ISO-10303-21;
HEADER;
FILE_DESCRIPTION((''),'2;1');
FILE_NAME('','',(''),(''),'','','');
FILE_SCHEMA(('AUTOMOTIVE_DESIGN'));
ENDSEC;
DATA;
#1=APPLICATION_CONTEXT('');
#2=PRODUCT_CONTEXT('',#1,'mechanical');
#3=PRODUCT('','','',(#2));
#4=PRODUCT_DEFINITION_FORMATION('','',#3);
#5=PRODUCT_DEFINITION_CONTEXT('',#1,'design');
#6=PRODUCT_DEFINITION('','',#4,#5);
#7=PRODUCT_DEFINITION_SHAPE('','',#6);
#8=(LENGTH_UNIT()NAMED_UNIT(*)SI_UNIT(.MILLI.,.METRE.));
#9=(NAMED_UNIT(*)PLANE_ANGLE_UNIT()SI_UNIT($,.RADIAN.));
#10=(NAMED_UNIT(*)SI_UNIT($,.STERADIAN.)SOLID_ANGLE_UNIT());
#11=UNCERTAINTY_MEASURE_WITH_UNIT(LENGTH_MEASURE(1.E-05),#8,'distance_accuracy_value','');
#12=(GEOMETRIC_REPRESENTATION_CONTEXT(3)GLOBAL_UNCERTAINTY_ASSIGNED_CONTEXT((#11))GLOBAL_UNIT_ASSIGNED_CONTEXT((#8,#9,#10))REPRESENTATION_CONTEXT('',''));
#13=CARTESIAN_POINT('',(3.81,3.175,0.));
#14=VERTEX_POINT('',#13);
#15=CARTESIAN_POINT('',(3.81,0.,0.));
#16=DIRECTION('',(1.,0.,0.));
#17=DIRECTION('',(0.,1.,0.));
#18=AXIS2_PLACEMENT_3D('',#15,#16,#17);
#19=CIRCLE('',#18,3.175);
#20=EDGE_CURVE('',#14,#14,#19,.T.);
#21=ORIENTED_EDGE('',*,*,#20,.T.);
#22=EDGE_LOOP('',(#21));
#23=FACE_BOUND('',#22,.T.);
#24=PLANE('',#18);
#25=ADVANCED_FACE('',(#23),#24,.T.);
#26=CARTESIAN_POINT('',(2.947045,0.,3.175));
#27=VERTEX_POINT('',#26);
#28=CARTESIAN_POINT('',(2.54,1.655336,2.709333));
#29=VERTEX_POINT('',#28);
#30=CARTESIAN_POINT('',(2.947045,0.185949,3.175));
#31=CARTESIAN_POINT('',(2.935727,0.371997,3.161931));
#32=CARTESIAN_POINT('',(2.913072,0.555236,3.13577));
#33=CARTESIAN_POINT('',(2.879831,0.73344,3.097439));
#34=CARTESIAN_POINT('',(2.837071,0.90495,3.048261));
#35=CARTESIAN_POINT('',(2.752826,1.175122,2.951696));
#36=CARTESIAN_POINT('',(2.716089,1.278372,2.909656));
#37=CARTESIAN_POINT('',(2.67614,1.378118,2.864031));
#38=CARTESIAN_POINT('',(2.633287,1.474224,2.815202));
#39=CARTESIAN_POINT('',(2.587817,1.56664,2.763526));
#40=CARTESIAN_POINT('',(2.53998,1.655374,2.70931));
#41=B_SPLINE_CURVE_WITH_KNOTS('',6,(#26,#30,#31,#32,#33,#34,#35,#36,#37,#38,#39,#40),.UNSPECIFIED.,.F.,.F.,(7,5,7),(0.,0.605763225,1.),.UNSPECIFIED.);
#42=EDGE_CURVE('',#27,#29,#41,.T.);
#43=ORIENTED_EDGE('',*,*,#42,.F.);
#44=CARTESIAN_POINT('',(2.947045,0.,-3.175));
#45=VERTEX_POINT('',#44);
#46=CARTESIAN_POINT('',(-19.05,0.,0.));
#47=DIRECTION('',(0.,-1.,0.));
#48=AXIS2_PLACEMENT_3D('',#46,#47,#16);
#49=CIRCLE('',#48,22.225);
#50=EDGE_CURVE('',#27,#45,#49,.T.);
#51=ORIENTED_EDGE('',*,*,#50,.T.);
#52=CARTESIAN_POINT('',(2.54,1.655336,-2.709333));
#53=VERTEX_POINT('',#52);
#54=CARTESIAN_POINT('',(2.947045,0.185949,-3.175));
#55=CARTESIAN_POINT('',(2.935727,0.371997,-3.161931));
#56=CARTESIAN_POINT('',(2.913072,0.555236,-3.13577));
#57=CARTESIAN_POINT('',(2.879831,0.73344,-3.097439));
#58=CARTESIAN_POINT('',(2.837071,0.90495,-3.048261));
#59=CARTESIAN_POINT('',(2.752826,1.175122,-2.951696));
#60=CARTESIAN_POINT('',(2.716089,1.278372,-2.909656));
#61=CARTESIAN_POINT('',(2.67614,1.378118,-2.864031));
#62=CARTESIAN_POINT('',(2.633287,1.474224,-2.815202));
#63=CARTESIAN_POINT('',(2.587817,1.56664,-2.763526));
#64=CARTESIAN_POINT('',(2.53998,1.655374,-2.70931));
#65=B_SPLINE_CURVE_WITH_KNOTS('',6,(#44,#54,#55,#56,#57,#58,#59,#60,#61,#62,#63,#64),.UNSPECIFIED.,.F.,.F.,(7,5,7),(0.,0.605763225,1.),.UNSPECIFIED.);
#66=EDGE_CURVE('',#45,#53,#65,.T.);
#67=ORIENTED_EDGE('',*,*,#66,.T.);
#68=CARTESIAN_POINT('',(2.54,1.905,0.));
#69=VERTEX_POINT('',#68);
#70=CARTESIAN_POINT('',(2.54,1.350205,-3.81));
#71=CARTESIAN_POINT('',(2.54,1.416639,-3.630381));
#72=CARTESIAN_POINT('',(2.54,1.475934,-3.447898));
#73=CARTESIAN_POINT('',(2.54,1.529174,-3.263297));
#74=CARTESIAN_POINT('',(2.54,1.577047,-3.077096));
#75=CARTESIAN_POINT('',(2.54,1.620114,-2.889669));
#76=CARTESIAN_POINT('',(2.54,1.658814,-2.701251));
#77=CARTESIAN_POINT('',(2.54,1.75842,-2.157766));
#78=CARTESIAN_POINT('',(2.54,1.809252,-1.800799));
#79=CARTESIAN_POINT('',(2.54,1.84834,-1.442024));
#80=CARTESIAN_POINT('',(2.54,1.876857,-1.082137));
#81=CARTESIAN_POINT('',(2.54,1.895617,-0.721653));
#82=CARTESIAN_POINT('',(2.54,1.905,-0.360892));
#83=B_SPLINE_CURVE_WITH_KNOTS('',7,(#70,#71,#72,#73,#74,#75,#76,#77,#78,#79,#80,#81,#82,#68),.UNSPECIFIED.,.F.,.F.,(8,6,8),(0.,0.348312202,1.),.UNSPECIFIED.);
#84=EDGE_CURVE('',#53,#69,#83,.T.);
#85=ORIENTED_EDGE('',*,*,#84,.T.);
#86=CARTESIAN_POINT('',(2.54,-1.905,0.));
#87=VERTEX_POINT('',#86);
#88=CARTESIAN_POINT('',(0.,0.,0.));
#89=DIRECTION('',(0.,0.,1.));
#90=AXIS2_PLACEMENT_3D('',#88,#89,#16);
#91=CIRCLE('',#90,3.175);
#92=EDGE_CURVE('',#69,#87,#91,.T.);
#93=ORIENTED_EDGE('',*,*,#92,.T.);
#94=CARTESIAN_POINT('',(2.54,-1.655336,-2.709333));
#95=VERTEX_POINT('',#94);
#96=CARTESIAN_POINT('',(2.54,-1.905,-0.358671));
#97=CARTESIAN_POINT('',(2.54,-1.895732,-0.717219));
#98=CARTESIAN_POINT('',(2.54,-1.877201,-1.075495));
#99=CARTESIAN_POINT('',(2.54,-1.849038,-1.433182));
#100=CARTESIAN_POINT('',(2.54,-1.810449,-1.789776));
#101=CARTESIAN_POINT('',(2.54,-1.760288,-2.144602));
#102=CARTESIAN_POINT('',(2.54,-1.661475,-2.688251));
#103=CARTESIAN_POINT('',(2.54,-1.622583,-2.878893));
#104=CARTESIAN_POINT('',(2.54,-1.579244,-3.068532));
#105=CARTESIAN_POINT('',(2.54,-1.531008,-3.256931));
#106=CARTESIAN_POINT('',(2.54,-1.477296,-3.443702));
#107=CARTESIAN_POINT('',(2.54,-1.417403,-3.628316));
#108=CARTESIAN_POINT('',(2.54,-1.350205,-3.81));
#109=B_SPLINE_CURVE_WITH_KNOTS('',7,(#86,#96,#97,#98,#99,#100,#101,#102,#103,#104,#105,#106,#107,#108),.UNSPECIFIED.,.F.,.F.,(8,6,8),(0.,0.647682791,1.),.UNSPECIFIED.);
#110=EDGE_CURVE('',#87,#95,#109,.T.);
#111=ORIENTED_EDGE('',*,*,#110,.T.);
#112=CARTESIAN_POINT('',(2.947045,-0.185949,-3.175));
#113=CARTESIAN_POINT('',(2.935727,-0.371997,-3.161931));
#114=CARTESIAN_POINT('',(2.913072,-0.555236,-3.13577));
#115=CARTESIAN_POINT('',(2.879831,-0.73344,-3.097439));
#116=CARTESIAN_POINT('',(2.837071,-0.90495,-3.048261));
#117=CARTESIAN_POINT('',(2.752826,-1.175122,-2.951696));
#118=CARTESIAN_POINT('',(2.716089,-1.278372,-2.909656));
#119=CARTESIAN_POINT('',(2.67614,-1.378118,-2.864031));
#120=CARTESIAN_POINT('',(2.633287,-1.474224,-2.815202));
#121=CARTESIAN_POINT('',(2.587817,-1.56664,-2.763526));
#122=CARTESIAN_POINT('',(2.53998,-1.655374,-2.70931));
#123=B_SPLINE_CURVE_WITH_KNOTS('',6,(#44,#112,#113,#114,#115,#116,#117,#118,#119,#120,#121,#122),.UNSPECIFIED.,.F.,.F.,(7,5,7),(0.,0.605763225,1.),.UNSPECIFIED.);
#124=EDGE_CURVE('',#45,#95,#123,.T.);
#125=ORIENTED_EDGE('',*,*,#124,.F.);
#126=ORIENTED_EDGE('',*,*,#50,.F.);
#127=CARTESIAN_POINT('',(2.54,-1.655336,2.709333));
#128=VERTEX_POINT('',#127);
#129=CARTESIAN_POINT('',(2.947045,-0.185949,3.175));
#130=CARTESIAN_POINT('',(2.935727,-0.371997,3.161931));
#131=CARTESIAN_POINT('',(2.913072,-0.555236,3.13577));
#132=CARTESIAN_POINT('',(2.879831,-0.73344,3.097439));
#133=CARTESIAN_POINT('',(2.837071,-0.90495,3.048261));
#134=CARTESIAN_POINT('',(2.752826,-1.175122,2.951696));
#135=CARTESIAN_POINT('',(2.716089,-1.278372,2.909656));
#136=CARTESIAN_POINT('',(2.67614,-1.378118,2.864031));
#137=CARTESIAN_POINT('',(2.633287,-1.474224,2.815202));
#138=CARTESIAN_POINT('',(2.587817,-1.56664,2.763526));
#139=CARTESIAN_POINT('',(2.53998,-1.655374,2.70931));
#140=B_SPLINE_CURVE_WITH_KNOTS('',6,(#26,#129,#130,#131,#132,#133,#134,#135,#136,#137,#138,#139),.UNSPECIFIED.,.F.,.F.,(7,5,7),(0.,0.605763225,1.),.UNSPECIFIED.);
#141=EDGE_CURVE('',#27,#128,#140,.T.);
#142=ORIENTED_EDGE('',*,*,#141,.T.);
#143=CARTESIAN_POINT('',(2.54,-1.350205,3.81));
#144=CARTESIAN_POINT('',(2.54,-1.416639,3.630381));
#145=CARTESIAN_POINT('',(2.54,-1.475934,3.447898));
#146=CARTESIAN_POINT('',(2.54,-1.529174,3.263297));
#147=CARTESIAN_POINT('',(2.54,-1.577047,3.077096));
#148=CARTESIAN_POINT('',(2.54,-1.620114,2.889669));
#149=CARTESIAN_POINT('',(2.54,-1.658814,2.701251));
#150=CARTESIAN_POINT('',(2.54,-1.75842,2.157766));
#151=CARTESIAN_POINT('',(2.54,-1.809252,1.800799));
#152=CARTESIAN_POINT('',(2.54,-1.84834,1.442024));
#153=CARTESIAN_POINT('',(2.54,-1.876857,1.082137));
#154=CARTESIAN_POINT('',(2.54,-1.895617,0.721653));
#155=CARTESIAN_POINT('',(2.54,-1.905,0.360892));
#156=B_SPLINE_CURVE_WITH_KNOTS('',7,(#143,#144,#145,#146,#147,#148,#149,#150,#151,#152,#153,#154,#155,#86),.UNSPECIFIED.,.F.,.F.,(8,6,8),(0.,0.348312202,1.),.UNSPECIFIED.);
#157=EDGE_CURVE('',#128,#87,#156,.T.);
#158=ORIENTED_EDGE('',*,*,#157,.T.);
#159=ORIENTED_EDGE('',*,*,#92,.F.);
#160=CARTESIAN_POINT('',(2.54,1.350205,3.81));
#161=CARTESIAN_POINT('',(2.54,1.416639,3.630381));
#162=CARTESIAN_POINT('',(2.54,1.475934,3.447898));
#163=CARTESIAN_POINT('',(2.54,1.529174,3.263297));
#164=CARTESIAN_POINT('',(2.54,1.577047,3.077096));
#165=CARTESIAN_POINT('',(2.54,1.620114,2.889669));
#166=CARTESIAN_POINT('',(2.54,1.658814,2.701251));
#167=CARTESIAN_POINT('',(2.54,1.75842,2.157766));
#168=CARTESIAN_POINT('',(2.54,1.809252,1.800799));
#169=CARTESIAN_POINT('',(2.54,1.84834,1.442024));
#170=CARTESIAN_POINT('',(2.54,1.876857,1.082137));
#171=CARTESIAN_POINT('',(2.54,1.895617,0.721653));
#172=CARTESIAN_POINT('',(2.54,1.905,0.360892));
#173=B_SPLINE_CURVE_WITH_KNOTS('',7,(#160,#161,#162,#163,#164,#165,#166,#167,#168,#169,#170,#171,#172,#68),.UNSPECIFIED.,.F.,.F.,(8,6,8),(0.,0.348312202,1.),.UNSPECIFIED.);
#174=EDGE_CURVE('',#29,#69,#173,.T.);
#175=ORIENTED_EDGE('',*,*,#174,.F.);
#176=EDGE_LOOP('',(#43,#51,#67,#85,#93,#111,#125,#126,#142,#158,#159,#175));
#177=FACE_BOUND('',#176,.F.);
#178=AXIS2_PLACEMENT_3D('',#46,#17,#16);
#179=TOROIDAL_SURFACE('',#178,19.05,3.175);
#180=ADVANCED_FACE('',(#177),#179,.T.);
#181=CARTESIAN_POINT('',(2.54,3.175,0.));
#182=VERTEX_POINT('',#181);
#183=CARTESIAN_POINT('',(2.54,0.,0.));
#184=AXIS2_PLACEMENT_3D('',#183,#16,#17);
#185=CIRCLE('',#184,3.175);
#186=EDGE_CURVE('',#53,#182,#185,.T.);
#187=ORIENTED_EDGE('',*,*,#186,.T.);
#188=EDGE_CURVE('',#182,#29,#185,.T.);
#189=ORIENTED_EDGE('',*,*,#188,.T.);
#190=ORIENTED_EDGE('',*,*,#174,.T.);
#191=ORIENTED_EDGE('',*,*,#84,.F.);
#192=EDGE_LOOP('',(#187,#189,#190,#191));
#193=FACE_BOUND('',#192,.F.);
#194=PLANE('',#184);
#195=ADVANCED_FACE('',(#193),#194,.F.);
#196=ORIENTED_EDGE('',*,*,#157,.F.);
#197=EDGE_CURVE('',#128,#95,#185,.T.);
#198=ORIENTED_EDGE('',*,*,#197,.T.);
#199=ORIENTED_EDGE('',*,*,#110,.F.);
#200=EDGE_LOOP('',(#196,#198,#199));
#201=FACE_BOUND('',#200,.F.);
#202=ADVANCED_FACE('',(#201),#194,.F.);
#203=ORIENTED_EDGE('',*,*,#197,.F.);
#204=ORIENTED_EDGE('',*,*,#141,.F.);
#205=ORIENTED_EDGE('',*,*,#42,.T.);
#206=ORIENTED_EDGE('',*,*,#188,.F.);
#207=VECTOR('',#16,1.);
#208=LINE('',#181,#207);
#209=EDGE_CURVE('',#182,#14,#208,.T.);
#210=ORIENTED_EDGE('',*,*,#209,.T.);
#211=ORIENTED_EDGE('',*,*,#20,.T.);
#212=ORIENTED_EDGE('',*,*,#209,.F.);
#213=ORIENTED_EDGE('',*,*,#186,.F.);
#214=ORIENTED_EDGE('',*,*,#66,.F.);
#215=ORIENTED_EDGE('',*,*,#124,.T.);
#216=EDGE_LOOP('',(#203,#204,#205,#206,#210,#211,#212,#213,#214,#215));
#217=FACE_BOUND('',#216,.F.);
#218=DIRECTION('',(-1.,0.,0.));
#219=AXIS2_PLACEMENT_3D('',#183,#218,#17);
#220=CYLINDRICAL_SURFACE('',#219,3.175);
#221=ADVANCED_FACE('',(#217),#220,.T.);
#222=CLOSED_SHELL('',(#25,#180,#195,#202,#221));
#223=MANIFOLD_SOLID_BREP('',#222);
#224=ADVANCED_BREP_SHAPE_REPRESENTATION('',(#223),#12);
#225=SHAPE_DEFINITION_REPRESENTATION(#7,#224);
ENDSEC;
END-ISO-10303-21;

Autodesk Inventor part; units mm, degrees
ref_plane "XZ Plane" through (0, 0, 0) normal (0, 1, 0) x (-1, 0, 0)
ref_plane "XY Plane" through (0, 0, 0) normal (0, 0, 1) x (1, 0, 0)
sketch "Sketch1" plane through (0, 0, 0) normal (0, 0, 1) x (1, 0, 0)
  circle A0 centre (0, 0) radius 3.175
  line L0 (-19.05, 7.7404) -> (-19.05, -6.3643) construction
  dimension "d0" = 6.35
  dimension "d1" = 19.05
revolve "Revolution1" add sketch "Sketch1" angle 360 about axis through (-19.05, 7.7404, 0) along (0, -1, 0)
ref_plane "Work Plane1" through (2.54, 0, 0) normal (1, 0, 0) x (0, 1, 0)
sketch "Sketch2" plane through (2.54, 0, 0) normal (1, 0, 0) x (0, 1, 0)
  circle A0 centre (0, 0) radius 3.175
  dimension "d4" = 6.35
extrude "Extrusion1" add sketch "Sketch2" along normal blind 1.27
properties part number "ringCentering"
